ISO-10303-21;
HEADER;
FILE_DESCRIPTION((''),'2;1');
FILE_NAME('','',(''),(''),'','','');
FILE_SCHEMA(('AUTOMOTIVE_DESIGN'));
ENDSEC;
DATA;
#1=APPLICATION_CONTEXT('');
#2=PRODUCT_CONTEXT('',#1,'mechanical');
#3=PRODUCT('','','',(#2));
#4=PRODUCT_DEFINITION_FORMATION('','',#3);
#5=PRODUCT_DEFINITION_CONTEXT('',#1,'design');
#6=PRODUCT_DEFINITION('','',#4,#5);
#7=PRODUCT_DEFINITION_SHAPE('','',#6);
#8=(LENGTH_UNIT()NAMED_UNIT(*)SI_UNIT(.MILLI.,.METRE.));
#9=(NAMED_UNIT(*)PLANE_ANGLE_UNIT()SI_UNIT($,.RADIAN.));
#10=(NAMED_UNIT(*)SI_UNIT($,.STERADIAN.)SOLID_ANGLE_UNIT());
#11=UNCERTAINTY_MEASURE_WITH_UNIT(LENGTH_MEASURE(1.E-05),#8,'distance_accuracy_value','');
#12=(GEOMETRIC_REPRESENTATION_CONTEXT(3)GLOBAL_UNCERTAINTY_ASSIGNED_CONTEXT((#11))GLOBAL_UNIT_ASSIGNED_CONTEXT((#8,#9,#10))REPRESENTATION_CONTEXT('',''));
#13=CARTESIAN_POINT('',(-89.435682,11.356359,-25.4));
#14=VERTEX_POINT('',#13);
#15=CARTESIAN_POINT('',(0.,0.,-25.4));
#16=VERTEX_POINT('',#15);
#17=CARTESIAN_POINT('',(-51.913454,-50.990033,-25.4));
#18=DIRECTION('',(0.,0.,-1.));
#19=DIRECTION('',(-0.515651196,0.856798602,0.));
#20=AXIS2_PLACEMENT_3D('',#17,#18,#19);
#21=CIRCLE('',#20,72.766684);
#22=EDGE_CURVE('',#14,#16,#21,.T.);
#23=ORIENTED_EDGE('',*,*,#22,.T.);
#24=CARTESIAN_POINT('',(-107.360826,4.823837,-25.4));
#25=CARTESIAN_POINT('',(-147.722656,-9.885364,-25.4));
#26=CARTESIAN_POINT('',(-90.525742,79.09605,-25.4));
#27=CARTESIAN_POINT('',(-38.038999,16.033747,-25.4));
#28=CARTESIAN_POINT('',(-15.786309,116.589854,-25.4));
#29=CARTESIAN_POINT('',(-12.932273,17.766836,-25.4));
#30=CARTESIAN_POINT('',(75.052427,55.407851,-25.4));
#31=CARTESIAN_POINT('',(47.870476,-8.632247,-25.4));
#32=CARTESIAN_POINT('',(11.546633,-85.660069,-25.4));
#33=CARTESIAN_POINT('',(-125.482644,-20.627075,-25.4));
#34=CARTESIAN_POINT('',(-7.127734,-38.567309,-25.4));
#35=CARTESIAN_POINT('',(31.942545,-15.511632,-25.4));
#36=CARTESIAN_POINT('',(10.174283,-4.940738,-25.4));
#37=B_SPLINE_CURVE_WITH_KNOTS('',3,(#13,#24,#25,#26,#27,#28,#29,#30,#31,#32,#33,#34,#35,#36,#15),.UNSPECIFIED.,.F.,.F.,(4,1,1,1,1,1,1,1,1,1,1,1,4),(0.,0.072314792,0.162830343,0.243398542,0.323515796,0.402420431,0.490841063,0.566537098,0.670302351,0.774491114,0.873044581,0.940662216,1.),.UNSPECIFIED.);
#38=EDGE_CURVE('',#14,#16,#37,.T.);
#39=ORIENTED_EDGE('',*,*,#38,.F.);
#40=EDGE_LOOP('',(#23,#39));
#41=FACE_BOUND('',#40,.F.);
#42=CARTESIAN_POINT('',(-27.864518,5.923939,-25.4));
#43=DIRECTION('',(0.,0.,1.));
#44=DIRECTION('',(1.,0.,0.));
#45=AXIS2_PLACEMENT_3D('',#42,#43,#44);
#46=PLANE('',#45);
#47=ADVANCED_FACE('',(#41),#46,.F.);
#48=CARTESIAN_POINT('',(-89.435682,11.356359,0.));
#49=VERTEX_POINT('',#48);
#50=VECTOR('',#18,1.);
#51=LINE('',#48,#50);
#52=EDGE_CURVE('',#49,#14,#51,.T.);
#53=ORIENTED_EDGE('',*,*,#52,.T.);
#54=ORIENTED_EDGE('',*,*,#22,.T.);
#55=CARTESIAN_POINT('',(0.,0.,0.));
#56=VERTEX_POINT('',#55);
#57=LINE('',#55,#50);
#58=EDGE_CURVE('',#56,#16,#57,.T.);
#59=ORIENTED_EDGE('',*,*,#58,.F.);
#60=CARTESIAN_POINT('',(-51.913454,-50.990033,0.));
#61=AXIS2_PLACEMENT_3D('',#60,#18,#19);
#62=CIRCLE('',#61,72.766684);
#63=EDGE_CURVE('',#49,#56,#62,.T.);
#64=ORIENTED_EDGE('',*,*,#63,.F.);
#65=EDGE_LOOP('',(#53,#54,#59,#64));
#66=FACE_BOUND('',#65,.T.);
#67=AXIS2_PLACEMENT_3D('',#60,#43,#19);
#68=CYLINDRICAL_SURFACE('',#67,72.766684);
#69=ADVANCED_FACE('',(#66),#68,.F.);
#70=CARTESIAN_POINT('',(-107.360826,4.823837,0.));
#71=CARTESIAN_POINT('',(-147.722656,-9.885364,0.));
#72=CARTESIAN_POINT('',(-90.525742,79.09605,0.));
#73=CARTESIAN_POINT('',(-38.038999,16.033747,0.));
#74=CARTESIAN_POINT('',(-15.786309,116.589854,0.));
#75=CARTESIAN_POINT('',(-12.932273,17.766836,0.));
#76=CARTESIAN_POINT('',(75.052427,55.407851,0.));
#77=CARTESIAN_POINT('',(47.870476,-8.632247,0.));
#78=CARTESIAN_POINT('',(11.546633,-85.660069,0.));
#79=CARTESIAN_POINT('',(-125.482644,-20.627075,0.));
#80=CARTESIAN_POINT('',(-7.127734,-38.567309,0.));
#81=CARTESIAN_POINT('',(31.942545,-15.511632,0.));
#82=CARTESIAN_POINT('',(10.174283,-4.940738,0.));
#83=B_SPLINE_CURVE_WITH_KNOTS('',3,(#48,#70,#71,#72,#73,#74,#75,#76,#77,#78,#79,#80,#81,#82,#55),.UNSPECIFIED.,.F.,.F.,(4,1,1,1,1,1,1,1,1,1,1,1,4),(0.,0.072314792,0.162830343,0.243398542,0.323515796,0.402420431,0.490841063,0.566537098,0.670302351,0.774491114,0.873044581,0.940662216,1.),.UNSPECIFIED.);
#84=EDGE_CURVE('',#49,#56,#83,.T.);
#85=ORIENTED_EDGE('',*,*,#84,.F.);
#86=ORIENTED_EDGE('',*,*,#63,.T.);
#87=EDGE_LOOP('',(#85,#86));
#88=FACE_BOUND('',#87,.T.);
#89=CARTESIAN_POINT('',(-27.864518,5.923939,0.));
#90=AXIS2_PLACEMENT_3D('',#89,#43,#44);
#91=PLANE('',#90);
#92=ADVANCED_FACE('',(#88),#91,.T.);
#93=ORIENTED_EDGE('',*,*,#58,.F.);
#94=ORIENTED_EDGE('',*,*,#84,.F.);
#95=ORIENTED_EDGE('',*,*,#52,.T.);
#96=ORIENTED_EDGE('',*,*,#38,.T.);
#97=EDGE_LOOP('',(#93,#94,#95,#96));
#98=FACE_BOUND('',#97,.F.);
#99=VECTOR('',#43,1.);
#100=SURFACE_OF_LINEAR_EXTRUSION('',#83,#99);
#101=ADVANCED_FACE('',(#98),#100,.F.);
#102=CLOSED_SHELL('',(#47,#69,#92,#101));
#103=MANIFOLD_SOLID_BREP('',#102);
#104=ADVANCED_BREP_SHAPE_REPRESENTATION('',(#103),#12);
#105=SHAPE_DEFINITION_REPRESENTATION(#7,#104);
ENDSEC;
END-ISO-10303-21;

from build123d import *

# Parameters (mm, degrees)
F1_DEPTH = 25.4


with BuildPart() as f1:
    # F0 (on Top) → F1 (new body)
    with BuildSketch(Plane.XY):
        with BuildLine():
            ThreePointArc((-89.4356817007, 11.3563593477), (-42.747289483, 21.1970268207), (0, 0))
            add(Edge.make_bspline(
                [(-89.4356817007, 11.3563593477), (-107.36082568, 4.8238372588), (-147.7226557856, -9.8853637952), (-90.5257423249, 79.0960498921), (-38.0389986127, 16.0337465893), (-15.7863094454, 116.589853512), (-12.9322729548, 17.7668364868), (75.0524269655, 55.4078513911), (47.8704758759, -8.6322465044), (11.5466332415, -85.6600691176), (-125.4826436596, -20.6270749372), (-7.1277341094, -38.5673092618), (31.9425448428, -15.5116324943), (10.1742833727, -4.9407379828), (0, 0)],
                knots=[0, 0, 0, 0, 0.0723147919, 0.1628303431, 0.2433985416, 0.3235157963, 0.4024204314, 0.4908410631, 0.5665370978, 0.6703023514, 0.7744911144, 0.8730445815, 0.9406622157, 1, 1, 1, 1], degree=3))
        make_face()
    extrude(amount=-F1_DEPTH)


solid = f1.part
